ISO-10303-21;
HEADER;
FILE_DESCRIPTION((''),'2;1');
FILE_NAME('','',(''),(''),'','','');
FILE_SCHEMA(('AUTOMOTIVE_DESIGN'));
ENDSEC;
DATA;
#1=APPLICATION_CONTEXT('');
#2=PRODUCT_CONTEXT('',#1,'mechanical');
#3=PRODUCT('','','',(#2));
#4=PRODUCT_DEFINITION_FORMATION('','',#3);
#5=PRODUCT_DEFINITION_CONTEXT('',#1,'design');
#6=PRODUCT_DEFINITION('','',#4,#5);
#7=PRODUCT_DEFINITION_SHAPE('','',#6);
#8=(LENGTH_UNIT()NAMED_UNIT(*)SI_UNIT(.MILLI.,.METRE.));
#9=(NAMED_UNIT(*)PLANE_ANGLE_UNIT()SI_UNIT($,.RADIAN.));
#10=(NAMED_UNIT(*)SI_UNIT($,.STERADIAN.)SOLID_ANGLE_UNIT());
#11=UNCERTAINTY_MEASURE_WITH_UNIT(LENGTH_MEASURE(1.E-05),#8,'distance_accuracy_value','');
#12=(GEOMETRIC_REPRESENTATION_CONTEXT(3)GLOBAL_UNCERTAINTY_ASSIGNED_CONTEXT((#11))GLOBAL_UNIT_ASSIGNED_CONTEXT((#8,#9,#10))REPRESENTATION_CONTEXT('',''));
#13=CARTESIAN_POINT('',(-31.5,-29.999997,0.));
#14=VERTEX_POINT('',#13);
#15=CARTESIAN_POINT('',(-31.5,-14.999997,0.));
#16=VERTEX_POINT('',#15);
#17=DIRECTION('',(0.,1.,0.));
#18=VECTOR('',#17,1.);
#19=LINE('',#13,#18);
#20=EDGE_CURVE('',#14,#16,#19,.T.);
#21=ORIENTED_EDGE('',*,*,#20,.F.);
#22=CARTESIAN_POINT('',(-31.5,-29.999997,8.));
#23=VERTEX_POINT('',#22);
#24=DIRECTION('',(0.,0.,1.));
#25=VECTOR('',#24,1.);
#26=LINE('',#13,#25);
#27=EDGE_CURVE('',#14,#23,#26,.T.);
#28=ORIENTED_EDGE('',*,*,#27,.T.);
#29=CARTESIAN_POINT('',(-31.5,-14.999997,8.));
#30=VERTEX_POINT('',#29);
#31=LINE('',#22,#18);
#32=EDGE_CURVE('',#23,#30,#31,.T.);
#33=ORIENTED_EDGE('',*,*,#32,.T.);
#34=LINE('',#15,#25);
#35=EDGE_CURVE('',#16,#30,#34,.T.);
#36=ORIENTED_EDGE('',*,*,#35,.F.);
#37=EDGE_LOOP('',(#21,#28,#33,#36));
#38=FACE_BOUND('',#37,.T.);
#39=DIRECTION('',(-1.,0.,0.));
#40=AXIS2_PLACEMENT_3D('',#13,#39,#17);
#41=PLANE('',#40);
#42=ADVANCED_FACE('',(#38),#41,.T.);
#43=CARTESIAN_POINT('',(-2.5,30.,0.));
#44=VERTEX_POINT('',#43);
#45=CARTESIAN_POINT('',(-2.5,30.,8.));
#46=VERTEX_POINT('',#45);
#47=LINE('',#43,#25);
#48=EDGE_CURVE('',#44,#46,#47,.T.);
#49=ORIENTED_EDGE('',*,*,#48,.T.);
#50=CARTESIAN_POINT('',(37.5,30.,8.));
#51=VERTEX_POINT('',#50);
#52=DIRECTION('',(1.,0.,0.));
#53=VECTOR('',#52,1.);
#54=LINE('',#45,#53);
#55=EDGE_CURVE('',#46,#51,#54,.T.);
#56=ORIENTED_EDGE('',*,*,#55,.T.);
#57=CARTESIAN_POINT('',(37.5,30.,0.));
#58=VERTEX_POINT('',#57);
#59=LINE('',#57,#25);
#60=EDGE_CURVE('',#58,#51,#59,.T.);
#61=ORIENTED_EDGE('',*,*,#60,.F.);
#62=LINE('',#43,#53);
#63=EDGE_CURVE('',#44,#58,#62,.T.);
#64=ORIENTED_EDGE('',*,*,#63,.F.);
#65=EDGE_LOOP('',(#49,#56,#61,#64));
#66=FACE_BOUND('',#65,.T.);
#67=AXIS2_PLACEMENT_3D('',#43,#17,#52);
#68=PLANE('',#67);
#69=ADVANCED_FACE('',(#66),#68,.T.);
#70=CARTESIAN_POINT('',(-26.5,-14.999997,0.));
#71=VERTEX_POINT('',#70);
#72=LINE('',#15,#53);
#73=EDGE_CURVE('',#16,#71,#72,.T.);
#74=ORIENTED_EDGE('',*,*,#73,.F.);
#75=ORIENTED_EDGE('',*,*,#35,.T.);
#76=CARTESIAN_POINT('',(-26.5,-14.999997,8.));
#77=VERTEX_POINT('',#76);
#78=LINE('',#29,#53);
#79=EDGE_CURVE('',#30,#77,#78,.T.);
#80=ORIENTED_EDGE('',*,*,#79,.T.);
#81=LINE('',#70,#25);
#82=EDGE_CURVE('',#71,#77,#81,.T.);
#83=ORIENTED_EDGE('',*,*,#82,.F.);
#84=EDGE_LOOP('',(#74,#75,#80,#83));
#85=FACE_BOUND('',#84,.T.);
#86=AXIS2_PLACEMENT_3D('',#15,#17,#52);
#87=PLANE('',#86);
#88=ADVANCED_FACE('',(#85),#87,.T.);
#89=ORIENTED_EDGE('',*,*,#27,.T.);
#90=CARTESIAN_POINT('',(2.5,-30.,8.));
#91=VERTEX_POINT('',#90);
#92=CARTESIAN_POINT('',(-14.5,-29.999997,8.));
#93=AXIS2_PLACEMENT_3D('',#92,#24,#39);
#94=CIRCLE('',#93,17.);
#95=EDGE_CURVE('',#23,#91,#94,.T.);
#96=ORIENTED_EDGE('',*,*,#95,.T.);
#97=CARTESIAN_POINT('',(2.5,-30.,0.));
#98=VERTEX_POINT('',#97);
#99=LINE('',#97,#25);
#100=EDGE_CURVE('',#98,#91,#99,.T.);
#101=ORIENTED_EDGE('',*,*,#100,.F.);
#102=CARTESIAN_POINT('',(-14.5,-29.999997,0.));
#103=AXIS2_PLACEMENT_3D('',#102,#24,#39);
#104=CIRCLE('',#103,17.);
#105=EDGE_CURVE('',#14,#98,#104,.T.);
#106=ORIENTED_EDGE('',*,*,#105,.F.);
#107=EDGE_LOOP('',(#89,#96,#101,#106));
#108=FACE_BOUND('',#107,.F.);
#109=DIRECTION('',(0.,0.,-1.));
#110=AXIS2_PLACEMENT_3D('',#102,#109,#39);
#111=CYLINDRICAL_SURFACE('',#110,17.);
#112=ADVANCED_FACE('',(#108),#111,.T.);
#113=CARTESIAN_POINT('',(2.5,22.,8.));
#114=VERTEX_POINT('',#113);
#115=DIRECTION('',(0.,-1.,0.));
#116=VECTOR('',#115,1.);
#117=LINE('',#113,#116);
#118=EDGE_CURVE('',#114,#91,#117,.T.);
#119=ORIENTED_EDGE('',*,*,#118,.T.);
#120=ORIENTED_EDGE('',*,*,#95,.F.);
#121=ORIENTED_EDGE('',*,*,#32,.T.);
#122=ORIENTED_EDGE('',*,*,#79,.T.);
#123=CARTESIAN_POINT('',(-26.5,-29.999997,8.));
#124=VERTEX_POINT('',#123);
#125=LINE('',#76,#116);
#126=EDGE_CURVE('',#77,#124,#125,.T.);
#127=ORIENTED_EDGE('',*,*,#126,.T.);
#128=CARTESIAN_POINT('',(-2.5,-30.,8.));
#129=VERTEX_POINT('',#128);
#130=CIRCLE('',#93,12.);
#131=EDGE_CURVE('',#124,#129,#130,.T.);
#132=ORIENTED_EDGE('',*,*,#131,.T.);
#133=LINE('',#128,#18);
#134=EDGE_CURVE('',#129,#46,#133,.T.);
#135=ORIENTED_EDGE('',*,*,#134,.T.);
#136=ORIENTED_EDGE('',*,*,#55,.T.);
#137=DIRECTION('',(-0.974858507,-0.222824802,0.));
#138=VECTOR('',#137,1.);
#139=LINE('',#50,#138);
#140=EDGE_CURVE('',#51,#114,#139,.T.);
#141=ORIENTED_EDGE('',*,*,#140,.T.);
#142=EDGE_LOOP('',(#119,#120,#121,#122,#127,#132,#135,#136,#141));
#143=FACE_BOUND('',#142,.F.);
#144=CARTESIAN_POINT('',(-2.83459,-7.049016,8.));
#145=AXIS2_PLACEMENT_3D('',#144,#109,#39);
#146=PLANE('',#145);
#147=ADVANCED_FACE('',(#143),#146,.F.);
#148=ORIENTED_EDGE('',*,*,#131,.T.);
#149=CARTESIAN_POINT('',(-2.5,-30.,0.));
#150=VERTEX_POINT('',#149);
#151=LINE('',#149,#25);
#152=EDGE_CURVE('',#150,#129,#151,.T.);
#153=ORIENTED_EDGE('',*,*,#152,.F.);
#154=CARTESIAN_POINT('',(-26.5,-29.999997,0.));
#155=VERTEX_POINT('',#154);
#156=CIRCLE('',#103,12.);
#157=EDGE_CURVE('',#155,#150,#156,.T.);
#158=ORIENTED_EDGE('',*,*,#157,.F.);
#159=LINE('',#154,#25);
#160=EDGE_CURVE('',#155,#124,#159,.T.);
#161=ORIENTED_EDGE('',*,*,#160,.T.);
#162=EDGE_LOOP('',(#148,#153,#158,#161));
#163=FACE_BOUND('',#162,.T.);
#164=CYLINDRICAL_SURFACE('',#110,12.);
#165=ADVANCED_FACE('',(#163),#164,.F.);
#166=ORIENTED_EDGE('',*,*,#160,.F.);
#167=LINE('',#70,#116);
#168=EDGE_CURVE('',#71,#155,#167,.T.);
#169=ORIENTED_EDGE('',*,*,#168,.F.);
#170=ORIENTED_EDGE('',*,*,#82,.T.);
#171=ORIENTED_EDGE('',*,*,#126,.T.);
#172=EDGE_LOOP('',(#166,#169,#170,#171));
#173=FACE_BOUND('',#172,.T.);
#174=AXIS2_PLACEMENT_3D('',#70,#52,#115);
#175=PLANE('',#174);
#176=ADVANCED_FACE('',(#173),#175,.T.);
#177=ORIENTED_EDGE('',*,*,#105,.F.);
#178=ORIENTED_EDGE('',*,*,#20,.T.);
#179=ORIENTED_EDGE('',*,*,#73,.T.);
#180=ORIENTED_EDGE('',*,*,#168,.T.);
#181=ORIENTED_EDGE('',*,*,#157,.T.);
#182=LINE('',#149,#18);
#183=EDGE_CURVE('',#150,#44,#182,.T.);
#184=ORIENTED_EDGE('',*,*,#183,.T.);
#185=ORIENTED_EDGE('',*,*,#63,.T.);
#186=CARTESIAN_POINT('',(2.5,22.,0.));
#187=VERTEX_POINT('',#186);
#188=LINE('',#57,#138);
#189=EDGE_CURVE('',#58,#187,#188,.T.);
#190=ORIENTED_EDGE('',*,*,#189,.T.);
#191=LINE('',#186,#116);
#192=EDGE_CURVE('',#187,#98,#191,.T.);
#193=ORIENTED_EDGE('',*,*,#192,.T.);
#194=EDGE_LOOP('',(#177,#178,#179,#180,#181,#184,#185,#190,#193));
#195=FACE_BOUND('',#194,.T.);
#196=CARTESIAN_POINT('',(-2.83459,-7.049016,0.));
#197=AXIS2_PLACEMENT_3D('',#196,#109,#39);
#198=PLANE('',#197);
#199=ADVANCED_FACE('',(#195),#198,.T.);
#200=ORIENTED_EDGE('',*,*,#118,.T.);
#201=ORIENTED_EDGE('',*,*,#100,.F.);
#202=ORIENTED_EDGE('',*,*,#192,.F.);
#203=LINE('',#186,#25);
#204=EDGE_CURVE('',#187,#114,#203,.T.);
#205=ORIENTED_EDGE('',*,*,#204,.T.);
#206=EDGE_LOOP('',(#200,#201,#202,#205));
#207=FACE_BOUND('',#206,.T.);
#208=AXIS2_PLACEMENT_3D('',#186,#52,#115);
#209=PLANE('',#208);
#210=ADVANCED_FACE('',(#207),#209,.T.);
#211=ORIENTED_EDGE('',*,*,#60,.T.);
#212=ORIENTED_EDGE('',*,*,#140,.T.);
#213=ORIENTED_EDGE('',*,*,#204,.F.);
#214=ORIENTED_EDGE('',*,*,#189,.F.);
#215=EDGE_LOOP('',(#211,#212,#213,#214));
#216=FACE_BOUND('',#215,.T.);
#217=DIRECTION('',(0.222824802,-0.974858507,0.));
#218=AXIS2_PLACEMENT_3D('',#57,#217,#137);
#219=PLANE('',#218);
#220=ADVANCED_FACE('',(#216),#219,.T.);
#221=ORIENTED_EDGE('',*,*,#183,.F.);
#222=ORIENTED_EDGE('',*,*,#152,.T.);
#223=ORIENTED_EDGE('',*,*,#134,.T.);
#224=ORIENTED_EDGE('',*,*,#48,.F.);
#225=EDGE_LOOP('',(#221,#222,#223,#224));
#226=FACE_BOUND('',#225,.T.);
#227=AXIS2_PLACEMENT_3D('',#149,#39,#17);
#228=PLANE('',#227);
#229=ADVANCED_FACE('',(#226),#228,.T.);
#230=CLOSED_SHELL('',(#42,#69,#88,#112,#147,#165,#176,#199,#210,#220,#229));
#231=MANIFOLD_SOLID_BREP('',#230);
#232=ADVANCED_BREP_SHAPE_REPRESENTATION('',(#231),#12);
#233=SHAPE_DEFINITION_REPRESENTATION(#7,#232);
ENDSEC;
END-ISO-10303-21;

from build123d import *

# Parameters (mm, degrees)
PAD_DEPTH = 8


with BuildPart() as part:
    # Sketch → Pad (new body)
    with BuildSketch(Plane.XY):
        with BuildLine():
            Line((-2.5, 30), (37.5, 30))
            Line((37.5, 30), (2.5, 22))
            Line((2.5, 22), (2.5, -30))
            ThreePointArc((-31.5, -29.999997), (-14.500001, -46.999997), (2.5, -30))
            Line((-31.5, -29.999997), (-31.5, -14.999997))
            Line((-31.5, -14.999997), (-26.5, -14.999997))
            Line((-26.5, -14.999997), (-26.5, -29.999997))
            ThreePointArc((-26.5, -29.999997), (-14.500001, -41.999997), (-2.5, -30))
            Line((-2.5, -30), (-2.5, 30))
        make_face()
    extrude(amount=PAD_DEPTH)


solid = part.part
